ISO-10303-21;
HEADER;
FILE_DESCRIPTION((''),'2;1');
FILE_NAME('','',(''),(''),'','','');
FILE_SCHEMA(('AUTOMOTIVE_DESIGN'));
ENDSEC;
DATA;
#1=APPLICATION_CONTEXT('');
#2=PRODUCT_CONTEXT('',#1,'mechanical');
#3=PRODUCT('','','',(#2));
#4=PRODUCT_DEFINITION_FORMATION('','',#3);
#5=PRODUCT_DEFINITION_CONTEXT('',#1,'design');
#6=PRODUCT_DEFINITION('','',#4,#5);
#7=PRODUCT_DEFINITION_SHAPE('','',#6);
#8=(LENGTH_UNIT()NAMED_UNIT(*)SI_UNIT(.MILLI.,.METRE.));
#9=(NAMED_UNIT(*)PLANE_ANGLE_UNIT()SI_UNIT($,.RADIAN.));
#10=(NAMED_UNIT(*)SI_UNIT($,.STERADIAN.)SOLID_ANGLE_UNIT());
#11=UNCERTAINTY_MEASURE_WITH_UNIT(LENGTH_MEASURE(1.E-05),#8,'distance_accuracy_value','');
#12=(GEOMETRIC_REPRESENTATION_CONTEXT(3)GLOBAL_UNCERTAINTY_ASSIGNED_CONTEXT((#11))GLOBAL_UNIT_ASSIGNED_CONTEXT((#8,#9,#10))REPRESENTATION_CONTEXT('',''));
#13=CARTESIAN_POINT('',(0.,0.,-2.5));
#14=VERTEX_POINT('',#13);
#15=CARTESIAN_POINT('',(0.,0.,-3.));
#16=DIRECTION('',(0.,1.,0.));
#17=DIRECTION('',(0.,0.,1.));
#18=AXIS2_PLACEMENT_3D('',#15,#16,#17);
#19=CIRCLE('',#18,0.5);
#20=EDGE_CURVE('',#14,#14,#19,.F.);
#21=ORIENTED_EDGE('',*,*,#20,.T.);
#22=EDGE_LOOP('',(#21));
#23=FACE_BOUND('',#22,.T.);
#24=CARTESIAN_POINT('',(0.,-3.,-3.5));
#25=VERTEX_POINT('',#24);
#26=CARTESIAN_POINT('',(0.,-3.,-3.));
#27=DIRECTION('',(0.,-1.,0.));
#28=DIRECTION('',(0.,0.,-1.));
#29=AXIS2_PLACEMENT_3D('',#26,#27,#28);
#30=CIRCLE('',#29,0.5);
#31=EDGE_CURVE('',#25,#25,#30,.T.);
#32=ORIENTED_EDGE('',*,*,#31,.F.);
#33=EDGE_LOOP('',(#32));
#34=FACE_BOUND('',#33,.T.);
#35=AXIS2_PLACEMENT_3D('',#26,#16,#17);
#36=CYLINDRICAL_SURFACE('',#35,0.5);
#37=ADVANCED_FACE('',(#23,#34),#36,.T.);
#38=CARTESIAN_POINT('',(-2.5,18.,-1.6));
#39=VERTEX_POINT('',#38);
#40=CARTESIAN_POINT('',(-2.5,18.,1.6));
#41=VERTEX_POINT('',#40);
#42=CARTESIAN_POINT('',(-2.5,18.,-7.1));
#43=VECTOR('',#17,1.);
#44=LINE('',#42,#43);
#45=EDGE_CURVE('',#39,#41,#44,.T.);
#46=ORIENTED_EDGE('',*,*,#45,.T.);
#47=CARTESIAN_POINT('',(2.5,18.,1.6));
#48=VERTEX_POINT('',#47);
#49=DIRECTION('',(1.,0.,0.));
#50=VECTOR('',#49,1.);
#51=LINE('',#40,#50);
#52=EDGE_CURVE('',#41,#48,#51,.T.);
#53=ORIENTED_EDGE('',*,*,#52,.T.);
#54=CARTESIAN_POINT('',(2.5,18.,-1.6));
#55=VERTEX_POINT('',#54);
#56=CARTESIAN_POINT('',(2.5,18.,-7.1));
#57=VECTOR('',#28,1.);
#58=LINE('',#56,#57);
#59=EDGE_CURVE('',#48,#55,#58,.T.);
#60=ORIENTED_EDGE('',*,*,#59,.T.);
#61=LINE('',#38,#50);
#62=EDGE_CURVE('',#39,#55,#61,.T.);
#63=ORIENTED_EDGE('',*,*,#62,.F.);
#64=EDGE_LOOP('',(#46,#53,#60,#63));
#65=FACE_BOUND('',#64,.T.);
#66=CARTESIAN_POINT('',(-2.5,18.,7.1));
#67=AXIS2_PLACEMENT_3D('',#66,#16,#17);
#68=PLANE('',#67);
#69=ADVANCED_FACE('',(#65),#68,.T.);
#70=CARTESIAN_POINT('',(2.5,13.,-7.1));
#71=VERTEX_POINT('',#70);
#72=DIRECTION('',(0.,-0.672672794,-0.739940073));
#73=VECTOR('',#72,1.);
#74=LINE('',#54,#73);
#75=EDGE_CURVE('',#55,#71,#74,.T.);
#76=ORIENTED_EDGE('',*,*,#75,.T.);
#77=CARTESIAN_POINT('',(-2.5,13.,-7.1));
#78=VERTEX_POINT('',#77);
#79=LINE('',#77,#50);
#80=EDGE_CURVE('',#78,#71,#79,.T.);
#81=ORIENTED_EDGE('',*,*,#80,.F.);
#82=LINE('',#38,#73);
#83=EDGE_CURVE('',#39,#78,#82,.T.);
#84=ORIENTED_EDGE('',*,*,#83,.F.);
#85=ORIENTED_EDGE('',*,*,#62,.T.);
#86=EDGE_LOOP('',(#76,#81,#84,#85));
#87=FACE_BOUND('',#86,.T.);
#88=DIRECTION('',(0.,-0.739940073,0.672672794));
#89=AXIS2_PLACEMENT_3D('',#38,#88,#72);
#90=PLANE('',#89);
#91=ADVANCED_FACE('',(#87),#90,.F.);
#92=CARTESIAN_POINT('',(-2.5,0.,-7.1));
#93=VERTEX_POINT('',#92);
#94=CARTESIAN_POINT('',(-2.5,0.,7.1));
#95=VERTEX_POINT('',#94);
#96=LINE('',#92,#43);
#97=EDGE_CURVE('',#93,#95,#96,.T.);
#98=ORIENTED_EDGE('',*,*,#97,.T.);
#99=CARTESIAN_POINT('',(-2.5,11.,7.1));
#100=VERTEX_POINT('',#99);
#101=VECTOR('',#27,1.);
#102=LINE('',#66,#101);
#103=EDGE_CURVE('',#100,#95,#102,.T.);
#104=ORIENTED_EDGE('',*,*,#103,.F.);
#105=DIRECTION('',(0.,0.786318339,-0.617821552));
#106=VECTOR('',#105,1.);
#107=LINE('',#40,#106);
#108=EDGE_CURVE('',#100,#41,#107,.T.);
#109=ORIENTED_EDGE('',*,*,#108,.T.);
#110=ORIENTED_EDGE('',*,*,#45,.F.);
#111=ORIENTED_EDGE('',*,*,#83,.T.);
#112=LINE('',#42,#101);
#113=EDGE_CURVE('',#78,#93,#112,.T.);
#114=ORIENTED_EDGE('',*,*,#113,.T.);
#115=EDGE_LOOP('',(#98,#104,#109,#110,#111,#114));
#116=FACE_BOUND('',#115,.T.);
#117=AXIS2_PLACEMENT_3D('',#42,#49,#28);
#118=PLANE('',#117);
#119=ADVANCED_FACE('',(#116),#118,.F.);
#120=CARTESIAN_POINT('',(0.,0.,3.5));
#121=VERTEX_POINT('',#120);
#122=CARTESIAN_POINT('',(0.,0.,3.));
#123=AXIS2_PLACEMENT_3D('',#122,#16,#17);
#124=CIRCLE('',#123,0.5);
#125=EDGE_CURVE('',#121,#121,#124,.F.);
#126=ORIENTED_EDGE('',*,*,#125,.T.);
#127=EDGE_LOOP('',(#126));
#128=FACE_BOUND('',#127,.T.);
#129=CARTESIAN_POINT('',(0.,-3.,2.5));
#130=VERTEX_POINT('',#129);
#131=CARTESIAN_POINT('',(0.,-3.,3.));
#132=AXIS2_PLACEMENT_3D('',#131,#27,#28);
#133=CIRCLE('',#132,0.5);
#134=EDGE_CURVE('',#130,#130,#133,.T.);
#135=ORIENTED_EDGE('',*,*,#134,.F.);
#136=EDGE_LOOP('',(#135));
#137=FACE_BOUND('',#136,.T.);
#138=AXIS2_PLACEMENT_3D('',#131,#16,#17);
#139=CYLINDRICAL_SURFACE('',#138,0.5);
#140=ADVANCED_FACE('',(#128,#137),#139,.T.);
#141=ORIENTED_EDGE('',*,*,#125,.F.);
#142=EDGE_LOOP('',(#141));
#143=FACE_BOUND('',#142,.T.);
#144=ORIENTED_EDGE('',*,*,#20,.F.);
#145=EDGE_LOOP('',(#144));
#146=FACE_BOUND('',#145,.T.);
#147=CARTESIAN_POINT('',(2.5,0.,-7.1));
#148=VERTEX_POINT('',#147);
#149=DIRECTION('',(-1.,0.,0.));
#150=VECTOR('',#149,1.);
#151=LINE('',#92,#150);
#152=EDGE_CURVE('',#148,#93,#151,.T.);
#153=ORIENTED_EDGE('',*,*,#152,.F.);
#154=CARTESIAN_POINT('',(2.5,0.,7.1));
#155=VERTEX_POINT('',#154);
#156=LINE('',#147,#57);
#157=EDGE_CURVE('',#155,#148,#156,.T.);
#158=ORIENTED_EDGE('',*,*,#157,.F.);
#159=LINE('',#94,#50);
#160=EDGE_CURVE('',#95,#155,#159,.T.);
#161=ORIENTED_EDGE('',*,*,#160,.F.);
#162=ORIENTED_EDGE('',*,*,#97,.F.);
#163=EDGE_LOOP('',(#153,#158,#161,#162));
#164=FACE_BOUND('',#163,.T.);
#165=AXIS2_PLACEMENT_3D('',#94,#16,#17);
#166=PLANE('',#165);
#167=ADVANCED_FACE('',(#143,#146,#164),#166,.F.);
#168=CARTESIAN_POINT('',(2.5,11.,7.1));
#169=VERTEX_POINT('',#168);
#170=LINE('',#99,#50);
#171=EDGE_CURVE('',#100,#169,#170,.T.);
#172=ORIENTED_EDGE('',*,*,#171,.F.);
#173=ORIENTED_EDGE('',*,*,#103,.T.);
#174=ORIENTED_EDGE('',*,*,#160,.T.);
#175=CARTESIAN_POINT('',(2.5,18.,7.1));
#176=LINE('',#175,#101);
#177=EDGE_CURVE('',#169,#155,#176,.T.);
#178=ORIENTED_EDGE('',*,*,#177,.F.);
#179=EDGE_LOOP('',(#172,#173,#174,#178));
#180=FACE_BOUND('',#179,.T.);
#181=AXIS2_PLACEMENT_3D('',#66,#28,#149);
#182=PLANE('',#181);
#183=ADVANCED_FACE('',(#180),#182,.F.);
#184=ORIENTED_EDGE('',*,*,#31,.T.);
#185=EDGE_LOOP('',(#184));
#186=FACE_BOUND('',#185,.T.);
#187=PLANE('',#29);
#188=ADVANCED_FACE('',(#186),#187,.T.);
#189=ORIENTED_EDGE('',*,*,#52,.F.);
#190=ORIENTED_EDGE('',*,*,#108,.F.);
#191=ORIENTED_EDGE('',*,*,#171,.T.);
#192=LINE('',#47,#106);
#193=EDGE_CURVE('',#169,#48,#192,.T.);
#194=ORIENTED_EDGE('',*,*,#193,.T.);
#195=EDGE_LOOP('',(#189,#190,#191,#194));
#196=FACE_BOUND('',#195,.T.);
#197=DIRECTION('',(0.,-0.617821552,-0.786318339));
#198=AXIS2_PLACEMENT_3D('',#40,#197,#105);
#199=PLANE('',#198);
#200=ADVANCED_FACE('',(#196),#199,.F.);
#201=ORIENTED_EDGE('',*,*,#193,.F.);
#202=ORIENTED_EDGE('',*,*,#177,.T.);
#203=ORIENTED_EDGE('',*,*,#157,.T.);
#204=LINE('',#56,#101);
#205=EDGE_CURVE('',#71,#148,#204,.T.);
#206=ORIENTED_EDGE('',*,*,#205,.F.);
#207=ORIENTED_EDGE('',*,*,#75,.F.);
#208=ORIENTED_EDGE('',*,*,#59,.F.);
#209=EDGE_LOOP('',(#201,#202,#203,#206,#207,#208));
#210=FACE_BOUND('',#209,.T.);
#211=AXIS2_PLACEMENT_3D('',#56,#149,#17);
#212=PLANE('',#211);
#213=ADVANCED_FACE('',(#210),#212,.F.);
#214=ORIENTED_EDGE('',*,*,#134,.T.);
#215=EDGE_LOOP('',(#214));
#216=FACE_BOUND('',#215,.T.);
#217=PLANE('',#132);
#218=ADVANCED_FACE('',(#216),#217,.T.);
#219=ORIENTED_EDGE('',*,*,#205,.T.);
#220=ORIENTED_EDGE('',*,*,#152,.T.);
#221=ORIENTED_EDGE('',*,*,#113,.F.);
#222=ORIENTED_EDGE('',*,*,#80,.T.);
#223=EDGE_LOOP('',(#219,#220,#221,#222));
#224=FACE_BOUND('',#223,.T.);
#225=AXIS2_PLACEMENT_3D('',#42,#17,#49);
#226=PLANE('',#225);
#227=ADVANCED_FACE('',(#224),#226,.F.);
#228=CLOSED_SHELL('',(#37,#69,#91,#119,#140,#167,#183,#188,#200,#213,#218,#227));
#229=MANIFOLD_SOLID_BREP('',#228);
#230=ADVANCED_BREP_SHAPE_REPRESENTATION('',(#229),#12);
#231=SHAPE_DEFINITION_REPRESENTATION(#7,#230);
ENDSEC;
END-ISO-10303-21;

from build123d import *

# Parameters (mm, degrees)
SKETCH_1_W          = 5
SKETCH_1_H          = 14.2
EXTRUDE_1_DEPTH     = 18
SKETCH_2_R          = 0.5
EXTRUDE_2_DEPTH     = 3
CUT_EXTRUDE_1_DEPTH = 5


with BuildPart() as part:
    # 草图1 → 拉伸1 (new body)
    with BuildSketch(Plane(origin=(0, 0, 0), x_dir=(1, 0, 0), z_dir=(0, 1, 0))):
        Rectangle(SKETCH_1_W, SKETCH_1_H)
    extrude(amount=EXTRUDE_1_DEPTH)

    # 草图2 → 拉伸2 (add)
    with BuildSketch(Plane.XZ):
        with Locations(Location((0, 3, 0), (0, 0, 90))):
            Circle(SKETCH_2_R)
        with Locations(Location((0, -3, 0), (0, 0, 90))):
            Circle(SKETCH_2_R)
    extrude(amount=EXTRUDE_2_DEPTH)

    # 草图3 → 切除-拉伸1 (cut)
    with BuildSketch(Plane(origin=(2.5, 0, 0), x_dir=(0, 0, -1), z_dir=(1, 0, 0))):
        Polygon((-1.6, 18), (-7.1, 11), (-7.1, 18), align=None)
        Polygon((1.6, 18), (7.1, 13), (7.1, 18), align=None)
    extrude(amount=-CUT_EXTRUDE_1_DEPTH, mode=Mode.SUBTRACT)


solid = part.part
